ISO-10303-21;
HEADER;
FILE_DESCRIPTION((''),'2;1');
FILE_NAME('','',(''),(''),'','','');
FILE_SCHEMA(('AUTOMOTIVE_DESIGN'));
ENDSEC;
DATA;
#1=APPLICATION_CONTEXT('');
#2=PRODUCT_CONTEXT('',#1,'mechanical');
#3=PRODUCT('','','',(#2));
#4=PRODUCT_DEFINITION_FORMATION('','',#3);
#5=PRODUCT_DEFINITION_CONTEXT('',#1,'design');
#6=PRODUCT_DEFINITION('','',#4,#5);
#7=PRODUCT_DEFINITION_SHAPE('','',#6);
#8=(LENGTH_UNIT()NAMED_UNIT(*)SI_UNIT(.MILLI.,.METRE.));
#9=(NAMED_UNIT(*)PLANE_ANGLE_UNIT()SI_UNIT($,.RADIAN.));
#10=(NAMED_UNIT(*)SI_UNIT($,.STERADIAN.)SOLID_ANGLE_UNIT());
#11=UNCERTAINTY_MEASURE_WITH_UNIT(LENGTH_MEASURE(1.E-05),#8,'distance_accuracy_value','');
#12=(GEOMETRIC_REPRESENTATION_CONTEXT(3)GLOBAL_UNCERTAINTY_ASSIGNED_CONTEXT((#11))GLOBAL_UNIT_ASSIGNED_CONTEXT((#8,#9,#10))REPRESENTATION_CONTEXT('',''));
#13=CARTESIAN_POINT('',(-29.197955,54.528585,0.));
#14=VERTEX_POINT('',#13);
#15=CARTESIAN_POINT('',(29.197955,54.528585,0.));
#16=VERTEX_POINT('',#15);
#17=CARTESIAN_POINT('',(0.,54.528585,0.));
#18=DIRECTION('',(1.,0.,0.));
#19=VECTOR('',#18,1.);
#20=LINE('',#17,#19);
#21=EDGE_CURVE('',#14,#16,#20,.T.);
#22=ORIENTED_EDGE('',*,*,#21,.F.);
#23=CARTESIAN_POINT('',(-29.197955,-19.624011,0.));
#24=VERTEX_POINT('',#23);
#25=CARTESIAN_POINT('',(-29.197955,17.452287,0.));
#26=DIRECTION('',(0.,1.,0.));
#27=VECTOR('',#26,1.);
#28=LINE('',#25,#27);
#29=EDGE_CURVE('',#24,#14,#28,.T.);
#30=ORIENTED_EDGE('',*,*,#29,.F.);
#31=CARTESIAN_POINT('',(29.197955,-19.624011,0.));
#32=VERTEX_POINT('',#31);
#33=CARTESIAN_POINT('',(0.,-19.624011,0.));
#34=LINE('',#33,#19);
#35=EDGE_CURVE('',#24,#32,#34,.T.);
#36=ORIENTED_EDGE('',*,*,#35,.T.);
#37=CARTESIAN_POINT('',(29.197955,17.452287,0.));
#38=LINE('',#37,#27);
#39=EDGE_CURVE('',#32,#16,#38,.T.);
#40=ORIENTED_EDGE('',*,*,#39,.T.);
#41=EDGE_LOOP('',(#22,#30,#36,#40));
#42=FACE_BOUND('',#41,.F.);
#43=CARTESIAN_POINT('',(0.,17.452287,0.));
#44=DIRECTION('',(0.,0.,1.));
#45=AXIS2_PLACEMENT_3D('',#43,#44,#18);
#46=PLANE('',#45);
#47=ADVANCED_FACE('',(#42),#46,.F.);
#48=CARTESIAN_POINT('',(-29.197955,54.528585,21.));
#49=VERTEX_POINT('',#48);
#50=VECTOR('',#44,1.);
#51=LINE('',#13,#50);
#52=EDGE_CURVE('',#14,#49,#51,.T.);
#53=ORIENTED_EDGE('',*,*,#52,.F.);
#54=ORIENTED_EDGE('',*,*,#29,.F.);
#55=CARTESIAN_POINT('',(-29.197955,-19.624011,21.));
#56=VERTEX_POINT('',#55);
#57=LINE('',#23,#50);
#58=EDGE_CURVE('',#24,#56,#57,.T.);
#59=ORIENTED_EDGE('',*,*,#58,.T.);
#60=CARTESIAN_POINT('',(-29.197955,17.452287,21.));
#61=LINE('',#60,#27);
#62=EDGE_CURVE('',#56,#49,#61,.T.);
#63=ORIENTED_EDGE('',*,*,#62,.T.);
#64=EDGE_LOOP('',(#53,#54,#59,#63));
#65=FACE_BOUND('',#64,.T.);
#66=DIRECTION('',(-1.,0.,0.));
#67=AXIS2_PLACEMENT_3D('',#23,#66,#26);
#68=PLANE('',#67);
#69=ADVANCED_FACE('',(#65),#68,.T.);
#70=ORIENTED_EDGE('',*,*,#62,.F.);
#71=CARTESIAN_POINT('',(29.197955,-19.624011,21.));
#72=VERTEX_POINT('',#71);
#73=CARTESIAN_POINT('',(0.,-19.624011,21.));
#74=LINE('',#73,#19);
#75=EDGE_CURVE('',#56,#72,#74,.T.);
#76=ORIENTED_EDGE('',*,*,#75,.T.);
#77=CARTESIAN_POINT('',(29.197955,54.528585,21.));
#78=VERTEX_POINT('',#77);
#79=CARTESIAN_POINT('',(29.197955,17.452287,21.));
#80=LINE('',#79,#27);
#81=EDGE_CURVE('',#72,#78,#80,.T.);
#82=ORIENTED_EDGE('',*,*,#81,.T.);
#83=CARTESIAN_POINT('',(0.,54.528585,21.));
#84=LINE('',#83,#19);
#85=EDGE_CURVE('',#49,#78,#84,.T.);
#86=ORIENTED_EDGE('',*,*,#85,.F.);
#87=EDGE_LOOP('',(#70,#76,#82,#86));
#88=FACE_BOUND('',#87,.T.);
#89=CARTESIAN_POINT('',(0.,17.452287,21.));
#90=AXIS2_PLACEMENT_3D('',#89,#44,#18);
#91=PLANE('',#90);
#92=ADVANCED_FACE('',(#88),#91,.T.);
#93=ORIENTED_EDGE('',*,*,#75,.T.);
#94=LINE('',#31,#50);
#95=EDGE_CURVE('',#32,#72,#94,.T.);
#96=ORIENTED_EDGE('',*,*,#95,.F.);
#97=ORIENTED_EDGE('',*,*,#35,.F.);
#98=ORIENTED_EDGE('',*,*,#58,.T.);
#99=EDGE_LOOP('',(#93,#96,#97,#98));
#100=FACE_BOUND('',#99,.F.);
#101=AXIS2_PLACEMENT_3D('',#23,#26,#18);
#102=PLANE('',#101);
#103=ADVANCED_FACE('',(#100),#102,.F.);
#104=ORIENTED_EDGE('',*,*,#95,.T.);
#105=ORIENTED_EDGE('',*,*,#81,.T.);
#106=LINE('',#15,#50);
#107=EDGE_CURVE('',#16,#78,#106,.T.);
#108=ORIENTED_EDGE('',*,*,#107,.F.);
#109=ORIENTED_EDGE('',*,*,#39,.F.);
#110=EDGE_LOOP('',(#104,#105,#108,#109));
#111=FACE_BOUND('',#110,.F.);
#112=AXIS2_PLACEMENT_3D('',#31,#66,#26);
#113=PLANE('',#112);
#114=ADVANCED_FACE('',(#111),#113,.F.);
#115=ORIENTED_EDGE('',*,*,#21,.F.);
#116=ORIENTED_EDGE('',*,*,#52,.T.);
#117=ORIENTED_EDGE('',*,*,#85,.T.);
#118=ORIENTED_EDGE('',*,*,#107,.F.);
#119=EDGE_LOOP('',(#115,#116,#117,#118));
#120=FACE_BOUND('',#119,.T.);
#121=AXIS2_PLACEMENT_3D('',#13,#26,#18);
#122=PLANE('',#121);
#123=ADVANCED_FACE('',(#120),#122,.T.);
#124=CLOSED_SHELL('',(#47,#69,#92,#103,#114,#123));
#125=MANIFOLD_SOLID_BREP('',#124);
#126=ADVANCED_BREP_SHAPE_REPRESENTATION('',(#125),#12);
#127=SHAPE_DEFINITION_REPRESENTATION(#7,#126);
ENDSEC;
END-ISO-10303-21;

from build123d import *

# Parameters (mm, degrees)
SKETCH_W  = 58.39591
SKETCH_H  = 74.152596
PAD_DEPTH = 21


with BuildPart() as part:
    # Sketch → Pad (new body)
    with BuildSketch(Plane.XY):
        with Locations((0, 17.452287)):
            Rectangle(SKETCH_W, SKETCH_H)
    extrude(amount=PAD_DEPTH)


solid = part.part
